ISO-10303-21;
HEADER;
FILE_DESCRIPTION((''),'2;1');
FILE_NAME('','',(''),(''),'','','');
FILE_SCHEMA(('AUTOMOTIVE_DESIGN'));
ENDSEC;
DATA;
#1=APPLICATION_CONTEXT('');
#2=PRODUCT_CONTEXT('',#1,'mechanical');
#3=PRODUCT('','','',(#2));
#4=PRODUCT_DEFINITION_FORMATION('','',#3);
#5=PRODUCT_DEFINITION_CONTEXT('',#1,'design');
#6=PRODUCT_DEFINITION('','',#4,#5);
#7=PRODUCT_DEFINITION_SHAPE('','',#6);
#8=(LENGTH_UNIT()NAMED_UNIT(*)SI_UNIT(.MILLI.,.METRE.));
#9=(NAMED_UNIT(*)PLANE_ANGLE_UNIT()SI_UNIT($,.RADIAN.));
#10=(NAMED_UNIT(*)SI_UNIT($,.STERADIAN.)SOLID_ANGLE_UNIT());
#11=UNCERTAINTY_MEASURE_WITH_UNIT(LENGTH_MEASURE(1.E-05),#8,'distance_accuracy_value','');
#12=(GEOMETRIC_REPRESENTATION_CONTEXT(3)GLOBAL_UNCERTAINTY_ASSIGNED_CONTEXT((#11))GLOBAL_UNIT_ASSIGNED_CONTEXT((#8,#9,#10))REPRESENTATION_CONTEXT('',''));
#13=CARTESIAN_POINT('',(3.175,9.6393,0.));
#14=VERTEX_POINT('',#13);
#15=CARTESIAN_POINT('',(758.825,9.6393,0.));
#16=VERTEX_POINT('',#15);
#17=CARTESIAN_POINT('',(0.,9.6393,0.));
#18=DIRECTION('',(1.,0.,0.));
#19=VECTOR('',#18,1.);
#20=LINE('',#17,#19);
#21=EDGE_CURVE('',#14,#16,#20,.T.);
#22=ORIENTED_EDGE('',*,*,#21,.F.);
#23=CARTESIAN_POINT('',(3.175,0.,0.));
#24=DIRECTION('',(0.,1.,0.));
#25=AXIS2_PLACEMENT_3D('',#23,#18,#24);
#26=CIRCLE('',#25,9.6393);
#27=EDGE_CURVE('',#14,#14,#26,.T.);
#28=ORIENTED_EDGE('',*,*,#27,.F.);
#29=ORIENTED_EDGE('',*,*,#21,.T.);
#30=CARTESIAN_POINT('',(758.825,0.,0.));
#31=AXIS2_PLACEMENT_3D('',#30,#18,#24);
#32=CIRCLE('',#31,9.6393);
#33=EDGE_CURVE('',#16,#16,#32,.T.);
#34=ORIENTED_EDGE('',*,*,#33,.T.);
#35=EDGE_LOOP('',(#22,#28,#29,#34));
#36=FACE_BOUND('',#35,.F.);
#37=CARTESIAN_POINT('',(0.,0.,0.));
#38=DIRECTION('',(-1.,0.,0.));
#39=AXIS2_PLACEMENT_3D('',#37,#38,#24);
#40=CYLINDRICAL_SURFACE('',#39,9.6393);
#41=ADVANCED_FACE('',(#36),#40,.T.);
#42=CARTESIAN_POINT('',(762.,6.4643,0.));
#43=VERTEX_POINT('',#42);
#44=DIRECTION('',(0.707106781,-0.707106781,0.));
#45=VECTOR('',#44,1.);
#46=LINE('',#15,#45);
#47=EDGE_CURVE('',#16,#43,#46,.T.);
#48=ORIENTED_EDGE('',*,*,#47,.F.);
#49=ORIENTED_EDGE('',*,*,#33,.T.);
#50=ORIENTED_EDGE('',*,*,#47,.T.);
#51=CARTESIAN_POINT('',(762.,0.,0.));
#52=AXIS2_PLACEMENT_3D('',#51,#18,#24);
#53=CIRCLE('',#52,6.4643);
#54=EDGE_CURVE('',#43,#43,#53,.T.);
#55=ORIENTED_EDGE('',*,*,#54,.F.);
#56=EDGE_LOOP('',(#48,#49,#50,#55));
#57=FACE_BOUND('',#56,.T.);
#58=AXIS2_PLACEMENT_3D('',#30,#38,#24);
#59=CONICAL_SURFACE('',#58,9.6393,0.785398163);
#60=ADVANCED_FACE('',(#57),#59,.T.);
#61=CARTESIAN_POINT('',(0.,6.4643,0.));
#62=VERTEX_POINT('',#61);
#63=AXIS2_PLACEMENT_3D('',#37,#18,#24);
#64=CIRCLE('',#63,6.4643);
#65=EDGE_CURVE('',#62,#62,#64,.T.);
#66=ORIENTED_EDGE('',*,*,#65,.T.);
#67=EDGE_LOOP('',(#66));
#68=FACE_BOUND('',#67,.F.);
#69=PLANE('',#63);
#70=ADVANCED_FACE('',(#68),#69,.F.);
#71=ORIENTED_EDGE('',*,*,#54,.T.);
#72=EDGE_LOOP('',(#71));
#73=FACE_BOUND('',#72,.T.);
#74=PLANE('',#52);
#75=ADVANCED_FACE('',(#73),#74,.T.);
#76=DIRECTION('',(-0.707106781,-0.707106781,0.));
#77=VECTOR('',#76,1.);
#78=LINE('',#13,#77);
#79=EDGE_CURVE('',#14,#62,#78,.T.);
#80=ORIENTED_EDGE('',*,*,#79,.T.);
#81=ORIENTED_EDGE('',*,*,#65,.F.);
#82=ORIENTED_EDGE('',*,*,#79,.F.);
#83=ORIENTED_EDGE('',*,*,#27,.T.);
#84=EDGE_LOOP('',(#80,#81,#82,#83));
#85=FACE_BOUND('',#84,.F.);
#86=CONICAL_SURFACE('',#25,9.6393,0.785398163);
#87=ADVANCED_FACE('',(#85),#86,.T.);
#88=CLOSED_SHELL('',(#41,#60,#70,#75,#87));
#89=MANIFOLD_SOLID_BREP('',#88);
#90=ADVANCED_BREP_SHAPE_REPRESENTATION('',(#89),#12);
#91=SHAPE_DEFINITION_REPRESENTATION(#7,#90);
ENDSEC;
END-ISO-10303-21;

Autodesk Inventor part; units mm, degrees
ref_plane "YZ Plane" through (0, 0, 0) normal (1, 0, 0) x (0, 1, 0)
ref_plane "XZ Plane" through (0, 0, 0) normal (0, 1, 0) x (-1, 0, 0)
ref_plane "XY Plane" through (0, 0, 0) normal (0, 0, 1) x (1, 0, 0)
sketch "Sketch1" plane through (0, 0, 0) normal (1, 0, 0) x (0, 1, 0)
  circle A0 centre (0, 0) radius 9.6393
  dimension "d0" = 19.2786
extrude "Extrusion1" add sketch "Sketch1" along normal blind 762
chamfer "Chamfer1" distance 3.175 angle 45 2 edges at (0, -9.6393, 0) (762, -9.6393, 0)
properties part number "Metal Rod"
